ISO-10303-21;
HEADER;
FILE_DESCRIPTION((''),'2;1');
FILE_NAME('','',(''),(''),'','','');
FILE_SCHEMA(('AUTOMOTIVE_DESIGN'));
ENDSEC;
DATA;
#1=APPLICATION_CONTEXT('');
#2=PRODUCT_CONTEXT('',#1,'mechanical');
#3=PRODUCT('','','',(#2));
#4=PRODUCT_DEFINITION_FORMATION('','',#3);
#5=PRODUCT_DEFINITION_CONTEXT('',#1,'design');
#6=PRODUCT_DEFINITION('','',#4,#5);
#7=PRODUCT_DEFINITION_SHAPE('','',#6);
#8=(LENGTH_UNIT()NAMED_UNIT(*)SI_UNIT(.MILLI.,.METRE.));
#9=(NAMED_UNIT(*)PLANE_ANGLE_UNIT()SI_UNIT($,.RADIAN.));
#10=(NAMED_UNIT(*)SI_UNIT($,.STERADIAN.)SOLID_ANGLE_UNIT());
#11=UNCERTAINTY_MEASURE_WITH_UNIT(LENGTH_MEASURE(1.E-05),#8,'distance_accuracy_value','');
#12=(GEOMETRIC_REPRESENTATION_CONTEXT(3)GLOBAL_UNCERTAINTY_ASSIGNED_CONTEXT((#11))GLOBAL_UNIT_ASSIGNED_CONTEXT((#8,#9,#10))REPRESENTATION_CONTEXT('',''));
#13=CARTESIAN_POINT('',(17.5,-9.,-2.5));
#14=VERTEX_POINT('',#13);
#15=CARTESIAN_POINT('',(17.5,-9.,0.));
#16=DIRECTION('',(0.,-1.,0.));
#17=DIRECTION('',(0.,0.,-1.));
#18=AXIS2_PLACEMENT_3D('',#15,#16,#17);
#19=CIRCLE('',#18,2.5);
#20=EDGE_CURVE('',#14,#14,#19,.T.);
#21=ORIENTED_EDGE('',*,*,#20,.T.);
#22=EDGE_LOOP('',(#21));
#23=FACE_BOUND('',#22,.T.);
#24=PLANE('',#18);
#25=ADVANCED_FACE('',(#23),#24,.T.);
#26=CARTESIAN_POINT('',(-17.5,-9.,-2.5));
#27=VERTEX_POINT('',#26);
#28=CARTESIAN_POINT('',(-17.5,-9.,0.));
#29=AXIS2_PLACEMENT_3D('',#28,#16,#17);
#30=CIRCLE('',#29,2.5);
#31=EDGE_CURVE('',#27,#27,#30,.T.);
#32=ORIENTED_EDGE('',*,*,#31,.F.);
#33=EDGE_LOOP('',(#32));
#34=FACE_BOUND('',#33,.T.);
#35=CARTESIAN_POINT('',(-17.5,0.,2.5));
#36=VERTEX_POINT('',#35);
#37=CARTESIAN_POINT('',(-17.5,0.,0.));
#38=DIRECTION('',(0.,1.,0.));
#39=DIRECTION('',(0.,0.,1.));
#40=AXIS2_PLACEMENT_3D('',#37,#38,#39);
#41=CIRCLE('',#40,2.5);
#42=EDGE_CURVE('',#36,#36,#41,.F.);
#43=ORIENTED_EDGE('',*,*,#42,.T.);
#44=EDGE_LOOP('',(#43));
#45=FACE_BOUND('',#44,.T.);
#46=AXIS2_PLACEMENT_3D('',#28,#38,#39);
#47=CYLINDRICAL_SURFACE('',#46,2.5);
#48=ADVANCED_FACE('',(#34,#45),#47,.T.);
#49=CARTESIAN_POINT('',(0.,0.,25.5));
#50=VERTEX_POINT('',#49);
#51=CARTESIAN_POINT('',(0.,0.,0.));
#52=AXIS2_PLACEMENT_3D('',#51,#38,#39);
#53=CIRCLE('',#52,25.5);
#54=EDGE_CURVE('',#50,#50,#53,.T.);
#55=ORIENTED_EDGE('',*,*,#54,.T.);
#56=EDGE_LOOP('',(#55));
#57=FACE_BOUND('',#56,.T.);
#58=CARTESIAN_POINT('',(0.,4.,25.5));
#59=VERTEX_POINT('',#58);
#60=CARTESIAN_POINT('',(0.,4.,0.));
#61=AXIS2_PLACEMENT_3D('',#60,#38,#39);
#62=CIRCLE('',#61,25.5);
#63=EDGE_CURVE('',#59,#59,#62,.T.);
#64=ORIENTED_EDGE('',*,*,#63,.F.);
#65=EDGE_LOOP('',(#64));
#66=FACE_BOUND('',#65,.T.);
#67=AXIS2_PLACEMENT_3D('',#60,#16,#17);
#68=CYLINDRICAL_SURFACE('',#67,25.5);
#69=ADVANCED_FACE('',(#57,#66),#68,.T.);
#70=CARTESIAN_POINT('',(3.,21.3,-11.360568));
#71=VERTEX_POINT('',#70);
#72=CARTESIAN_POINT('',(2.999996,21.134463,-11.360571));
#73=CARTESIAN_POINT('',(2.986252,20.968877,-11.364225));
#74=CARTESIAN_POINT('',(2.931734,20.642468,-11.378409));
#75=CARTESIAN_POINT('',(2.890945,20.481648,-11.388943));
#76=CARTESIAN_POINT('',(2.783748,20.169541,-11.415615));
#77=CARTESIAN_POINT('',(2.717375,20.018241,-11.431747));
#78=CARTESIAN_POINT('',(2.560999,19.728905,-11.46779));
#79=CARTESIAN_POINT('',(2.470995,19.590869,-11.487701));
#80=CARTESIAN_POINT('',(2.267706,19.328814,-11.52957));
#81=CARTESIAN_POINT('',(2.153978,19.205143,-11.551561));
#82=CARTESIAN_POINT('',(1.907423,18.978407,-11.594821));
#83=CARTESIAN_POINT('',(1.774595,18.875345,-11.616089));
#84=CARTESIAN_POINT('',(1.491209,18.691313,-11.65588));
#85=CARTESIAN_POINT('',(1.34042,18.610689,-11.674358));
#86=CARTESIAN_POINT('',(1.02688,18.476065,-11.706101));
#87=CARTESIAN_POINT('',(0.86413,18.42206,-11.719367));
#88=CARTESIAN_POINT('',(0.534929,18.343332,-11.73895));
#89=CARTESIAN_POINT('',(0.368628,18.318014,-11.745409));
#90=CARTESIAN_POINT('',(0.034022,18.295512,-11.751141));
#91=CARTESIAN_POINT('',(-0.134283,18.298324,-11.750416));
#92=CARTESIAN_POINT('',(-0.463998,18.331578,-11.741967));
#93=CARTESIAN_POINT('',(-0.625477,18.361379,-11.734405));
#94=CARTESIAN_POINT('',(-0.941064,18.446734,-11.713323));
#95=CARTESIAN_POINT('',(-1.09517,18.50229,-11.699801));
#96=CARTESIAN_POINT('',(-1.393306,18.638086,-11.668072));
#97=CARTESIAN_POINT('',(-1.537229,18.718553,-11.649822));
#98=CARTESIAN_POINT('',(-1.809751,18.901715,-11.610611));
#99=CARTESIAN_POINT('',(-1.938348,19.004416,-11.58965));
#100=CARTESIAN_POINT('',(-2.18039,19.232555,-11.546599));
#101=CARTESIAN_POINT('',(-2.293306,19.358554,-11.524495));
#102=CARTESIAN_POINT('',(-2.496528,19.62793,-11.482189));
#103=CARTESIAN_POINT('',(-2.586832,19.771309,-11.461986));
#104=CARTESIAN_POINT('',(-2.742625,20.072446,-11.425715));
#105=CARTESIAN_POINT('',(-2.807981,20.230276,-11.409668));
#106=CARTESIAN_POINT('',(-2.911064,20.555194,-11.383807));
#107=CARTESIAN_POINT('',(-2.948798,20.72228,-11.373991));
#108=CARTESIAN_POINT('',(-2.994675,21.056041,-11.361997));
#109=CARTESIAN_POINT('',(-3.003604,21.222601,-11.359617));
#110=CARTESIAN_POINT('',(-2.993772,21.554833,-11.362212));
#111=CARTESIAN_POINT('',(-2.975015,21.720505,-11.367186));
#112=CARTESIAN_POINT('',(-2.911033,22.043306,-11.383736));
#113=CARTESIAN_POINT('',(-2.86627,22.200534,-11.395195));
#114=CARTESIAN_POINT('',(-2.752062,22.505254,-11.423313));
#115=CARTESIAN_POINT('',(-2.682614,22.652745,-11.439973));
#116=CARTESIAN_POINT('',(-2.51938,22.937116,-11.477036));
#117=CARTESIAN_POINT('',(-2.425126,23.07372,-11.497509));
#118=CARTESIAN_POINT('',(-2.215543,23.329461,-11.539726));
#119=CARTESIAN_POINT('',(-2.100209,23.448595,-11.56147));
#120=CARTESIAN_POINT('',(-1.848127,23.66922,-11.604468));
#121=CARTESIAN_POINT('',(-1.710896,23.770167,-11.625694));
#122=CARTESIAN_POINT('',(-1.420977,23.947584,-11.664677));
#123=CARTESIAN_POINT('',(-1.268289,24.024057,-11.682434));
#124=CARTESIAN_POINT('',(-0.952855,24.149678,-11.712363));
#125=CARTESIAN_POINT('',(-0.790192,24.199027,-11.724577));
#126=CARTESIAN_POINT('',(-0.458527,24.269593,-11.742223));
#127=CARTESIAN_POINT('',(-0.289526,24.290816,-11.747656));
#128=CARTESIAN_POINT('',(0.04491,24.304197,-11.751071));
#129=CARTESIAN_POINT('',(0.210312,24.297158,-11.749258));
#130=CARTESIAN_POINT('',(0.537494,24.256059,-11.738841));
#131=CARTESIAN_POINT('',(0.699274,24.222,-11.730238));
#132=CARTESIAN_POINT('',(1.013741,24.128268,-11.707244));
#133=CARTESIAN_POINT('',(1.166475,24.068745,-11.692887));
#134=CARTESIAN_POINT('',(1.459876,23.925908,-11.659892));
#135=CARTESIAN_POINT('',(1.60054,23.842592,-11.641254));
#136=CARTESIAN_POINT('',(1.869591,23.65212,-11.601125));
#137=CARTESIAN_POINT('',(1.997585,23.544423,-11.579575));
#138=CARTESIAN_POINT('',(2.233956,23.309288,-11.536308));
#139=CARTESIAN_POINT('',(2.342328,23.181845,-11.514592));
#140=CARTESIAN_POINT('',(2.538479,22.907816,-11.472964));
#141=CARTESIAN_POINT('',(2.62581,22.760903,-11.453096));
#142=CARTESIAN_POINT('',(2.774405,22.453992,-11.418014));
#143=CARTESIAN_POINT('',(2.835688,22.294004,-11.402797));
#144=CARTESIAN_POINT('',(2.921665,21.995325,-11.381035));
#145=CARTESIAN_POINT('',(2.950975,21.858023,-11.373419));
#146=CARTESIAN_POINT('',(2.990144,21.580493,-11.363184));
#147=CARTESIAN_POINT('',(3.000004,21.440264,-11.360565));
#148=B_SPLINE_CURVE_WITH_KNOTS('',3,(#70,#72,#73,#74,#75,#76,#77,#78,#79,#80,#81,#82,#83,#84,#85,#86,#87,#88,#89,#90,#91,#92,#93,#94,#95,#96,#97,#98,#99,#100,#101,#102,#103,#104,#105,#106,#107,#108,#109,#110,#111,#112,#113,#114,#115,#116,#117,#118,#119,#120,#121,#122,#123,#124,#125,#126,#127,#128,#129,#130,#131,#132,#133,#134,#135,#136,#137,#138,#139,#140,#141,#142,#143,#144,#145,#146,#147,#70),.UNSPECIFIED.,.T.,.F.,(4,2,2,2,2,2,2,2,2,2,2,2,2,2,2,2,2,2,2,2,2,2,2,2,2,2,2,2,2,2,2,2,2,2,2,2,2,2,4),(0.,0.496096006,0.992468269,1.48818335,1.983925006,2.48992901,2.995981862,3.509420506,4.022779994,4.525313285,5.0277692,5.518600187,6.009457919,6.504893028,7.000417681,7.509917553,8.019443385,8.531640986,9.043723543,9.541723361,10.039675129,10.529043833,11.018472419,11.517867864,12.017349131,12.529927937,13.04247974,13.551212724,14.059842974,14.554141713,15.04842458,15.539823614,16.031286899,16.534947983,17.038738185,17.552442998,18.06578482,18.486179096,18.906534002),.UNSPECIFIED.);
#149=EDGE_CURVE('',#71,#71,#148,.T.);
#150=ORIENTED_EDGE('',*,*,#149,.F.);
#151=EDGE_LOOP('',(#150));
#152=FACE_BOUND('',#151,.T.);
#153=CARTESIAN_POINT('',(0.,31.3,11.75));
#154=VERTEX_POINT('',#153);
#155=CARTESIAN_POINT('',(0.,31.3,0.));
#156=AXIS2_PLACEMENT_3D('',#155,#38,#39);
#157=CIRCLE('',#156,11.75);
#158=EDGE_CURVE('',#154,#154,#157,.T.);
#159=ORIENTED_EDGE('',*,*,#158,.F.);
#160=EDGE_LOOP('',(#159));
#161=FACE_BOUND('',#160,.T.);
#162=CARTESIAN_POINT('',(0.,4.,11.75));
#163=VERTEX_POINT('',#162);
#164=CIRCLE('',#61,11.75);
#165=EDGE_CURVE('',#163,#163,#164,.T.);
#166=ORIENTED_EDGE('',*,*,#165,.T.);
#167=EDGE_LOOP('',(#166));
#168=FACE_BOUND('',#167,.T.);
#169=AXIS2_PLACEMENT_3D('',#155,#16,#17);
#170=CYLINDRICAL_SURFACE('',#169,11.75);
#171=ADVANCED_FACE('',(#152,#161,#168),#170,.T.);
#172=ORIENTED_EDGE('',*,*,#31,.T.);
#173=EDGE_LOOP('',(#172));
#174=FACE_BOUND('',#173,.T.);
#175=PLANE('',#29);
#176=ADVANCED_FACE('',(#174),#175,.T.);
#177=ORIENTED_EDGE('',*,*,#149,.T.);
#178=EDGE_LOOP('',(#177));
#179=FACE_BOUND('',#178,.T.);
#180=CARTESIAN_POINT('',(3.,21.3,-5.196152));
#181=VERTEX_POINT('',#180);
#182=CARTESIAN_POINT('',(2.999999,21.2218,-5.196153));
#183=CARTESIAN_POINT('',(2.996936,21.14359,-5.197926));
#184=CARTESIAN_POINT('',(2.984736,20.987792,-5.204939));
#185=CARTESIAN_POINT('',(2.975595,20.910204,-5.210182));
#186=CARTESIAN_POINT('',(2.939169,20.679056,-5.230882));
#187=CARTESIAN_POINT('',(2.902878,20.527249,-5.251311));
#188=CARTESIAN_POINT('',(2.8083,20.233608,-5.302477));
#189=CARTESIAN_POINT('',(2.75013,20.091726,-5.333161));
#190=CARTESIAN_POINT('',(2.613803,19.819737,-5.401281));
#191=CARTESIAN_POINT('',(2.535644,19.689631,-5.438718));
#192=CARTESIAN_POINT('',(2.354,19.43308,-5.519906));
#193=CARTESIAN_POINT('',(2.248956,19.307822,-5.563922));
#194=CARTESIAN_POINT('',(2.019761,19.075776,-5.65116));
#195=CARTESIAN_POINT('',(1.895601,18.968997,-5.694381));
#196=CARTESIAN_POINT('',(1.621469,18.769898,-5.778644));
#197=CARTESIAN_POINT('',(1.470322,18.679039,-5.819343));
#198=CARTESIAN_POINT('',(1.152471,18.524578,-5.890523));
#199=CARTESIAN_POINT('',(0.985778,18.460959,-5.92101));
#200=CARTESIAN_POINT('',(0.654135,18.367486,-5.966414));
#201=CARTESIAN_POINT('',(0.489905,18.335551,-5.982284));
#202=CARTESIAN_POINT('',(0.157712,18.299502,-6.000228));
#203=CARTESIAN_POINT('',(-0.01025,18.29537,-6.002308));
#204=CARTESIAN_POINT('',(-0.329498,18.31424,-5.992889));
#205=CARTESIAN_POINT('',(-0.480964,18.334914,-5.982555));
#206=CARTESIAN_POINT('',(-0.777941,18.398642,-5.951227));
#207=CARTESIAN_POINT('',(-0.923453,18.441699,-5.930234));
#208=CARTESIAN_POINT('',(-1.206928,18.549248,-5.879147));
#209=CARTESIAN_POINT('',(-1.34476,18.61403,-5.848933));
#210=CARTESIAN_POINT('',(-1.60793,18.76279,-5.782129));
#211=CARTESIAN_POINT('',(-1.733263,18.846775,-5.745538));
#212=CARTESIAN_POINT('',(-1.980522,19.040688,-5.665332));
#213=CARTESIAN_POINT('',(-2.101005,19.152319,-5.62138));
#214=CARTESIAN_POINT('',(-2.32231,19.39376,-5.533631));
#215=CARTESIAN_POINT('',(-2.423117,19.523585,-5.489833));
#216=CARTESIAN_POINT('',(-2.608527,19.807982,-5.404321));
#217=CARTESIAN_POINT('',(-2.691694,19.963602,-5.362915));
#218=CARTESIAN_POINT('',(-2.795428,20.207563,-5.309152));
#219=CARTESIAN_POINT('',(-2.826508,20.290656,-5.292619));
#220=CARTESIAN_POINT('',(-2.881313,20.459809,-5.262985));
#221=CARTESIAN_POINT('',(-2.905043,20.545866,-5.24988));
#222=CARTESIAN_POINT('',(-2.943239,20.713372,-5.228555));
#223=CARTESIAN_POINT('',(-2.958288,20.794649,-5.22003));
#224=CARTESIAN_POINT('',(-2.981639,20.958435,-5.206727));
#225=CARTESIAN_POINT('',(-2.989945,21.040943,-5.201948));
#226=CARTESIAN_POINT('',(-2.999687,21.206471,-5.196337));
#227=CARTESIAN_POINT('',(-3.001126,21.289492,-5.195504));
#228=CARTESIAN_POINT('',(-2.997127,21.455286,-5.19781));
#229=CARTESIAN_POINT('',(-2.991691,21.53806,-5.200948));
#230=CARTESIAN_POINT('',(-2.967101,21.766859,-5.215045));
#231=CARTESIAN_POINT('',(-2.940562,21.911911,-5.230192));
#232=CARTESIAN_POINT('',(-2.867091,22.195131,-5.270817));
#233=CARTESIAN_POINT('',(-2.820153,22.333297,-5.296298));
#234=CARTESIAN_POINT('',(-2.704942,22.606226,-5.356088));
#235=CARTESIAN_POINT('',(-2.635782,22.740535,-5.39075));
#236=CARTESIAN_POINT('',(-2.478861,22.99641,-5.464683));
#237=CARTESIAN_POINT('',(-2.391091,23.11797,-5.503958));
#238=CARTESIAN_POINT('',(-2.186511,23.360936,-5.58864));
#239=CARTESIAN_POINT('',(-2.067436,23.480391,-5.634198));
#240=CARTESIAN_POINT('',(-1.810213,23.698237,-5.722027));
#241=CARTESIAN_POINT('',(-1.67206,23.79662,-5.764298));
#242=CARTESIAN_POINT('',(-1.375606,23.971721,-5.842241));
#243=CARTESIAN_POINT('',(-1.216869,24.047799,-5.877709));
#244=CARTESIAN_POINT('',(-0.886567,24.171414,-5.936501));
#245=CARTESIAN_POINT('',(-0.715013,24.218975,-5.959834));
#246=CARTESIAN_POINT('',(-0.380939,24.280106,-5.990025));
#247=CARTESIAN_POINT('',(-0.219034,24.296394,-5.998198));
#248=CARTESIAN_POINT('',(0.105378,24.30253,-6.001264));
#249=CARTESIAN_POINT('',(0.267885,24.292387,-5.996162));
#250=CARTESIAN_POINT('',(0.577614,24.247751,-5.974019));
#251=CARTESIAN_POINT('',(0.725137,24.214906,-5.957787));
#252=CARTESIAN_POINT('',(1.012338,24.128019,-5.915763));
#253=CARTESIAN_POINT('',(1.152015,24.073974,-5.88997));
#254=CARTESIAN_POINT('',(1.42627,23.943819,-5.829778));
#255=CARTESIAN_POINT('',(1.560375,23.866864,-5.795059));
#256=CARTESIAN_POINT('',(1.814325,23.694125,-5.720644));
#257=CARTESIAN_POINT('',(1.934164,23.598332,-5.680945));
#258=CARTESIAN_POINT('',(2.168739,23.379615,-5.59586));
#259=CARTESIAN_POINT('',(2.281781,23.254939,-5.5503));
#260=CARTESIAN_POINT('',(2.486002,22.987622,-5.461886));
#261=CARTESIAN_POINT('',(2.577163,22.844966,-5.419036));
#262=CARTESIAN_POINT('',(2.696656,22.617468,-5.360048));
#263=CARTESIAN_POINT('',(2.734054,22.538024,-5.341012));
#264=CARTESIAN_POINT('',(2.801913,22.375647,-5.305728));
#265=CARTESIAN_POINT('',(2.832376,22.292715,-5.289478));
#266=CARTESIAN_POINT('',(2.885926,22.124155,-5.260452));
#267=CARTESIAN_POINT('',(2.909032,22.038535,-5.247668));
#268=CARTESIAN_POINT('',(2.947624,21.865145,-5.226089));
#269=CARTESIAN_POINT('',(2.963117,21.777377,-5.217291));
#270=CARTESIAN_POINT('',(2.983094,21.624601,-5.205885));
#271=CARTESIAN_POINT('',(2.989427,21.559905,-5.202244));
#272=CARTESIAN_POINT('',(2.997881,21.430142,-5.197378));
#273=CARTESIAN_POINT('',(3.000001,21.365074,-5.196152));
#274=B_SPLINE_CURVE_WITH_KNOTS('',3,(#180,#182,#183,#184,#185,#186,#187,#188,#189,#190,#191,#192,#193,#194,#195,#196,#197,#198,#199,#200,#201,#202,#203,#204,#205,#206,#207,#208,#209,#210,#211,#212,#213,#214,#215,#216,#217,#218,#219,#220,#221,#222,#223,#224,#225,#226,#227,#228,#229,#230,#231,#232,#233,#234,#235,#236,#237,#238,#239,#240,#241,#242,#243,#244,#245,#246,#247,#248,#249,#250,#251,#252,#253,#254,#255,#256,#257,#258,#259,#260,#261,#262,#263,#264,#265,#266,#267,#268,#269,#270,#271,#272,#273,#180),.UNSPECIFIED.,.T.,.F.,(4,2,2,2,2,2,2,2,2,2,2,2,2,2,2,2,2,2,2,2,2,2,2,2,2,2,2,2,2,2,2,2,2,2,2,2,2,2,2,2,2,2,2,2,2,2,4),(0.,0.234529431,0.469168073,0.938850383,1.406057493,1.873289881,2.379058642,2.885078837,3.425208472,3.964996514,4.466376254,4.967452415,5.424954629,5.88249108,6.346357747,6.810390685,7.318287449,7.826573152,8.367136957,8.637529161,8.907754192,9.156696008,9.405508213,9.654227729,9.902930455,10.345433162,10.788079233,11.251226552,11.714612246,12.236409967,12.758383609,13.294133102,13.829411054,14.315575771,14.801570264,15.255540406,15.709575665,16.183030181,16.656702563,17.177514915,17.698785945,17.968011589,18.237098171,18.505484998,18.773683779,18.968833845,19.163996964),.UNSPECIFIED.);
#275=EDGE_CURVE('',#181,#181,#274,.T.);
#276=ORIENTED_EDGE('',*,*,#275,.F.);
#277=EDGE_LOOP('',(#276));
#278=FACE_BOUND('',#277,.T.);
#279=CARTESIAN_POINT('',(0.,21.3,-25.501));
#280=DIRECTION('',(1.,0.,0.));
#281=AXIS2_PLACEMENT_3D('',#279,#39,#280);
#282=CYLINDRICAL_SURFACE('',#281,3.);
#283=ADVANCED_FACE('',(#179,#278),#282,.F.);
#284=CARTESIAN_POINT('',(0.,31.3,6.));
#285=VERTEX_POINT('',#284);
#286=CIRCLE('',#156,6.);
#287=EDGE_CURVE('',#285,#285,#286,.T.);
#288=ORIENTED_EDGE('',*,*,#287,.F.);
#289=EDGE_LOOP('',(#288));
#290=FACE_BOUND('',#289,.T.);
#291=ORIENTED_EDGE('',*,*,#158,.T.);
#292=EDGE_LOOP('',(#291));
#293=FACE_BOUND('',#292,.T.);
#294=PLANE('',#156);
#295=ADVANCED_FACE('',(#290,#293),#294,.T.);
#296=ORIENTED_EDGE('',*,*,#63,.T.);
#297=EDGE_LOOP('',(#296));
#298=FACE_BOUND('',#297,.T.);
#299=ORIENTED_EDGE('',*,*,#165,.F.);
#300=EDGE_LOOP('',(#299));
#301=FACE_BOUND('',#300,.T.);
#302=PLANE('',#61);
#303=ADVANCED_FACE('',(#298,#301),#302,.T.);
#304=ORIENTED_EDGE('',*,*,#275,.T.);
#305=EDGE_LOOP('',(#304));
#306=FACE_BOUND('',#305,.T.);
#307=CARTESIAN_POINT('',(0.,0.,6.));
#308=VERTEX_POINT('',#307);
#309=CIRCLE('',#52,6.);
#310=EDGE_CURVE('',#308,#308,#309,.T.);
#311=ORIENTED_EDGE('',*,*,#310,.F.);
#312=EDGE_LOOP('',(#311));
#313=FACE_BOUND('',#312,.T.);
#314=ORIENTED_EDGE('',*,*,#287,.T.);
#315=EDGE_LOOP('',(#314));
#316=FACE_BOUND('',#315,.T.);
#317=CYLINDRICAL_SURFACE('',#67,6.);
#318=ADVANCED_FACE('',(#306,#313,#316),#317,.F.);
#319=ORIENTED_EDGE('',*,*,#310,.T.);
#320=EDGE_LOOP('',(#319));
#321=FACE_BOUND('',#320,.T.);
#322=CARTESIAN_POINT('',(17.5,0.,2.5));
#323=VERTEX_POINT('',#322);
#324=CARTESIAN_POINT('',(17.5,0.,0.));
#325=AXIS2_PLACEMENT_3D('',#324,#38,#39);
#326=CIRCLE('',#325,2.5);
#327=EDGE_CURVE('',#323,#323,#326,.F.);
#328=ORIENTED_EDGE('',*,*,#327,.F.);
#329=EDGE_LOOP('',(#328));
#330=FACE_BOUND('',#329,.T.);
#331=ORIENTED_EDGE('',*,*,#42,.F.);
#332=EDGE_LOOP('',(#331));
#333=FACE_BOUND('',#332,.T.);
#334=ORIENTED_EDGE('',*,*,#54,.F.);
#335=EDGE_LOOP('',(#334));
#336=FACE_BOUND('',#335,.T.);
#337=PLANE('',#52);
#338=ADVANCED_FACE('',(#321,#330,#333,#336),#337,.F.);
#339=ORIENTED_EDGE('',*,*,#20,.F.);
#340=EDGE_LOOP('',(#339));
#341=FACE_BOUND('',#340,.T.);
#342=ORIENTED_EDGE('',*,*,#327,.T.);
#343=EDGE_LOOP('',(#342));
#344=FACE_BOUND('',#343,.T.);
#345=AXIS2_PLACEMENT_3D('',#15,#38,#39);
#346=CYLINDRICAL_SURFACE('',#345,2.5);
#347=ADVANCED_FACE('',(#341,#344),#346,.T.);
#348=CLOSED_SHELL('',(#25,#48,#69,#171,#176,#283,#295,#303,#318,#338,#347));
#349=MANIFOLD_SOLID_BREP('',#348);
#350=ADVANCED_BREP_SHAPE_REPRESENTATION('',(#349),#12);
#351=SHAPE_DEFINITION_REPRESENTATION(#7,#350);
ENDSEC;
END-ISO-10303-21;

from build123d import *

# Parameters (mm, degrees)
SKETCH_1_R               = 25.5
SKETCH_1_R_2             = 6
EXTRUDE_1_DEPTH          = 4
SKETCH_2_R               = 11.75
SKETCH_2_R_2             = 6
EXTRUDE_2_DEPTH          = 27.3
SKETCH_3_R               = 2.5
EXTRUDE_3_DEPTH          = 9
CUT_EXTRUDE_1_REACH      = 49.751
CUT_EXTRUDE_1_END_RADIUS = 11.75
SKETCH_5_R               = 3


with BuildPart() as part:
    # Эскиз1 → Бобышка-Вытянуть1 (new body)
    with BuildSketch(Plane(origin=(0, 0, 0), x_dir=(1, 0, 0), z_dir=(0, 1, 0))):
        with Locations(Location((0, 0, 0), (0, 0, 270))):
            Circle(SKETCH_1_R)
        with Locations(Location((0, 0, 0), (0, 0, 270))):
            Circle(SKETCH_1_R_2, mode=Mode.SUBTRACT)
    extrude(amount=EXTRUDE_1_DEPTH)

    # Эскиз2 → Бобышка-Вытянуть2 (add)
    with BuildSketch(Plane(origin=(0, 4, 0), x_dir=(1, 0, 0), z_dir=(0, 1, 0))):
        with Locations(Location((0, 0, 0), (0, 0, 270))):
            Circle(SKETCH_2_R)
        with Locations(Location((0, 0, 0), (0, 0, 270))):
            Circle(SKETCH_2_R_2, mode=Mode.SUBTRACT)
    extrude(amount=EXTRUDE_2_DEPTH)

    # Эскиз3 → Бобышка-Вытянуть3 (add)
    with BuildSketch(Plane.XZ):
        with Locations(Location((-17.5, 0, 0), (0, 0, 90))):
            Circle(SKETCH_3_R)
        with Locations(Location((17.5, 0, 0), (0, 0, 90))):
            Circle(SKETCH_3_R)
    extrude(amount=EXTRUDE_3_DEPTH)

    # Вырез-Вытянуть1: up to this cylinder (the profile starts inside it)
    cut_extrude_1_end = Plane(origin=(0, 21.3, 0), z_dir=(0, -1, 0)) * Cylinder(CUT_EXTRUDE_1_END_RADIUS, 124.002, mode=Mode.PRIVATE)
    # Эскиз5 → Вырез-Вытянуть1 (cut, up to the surface)
    with BuildSketch(Plane.XY, mode=Mode.PRIVATE) as cut_extrude_1_sk1:
        with Locations((0, 21.3)):
            Circle(SKETCH_5_R)
    cut_extrude_1_tool1 = extrude(cut_extrude_1_sk1.sketch, amount=-CUT_EXTRUDE_1_REACH, mode=Mode.PRIVATE) & cut_extrude_1_end
    add(cut_extrude_1_tool1.solids().sort_by_distance((0, 21.3, 0))[0], mode=Mode.SUBTRACT)


solid = part.part
